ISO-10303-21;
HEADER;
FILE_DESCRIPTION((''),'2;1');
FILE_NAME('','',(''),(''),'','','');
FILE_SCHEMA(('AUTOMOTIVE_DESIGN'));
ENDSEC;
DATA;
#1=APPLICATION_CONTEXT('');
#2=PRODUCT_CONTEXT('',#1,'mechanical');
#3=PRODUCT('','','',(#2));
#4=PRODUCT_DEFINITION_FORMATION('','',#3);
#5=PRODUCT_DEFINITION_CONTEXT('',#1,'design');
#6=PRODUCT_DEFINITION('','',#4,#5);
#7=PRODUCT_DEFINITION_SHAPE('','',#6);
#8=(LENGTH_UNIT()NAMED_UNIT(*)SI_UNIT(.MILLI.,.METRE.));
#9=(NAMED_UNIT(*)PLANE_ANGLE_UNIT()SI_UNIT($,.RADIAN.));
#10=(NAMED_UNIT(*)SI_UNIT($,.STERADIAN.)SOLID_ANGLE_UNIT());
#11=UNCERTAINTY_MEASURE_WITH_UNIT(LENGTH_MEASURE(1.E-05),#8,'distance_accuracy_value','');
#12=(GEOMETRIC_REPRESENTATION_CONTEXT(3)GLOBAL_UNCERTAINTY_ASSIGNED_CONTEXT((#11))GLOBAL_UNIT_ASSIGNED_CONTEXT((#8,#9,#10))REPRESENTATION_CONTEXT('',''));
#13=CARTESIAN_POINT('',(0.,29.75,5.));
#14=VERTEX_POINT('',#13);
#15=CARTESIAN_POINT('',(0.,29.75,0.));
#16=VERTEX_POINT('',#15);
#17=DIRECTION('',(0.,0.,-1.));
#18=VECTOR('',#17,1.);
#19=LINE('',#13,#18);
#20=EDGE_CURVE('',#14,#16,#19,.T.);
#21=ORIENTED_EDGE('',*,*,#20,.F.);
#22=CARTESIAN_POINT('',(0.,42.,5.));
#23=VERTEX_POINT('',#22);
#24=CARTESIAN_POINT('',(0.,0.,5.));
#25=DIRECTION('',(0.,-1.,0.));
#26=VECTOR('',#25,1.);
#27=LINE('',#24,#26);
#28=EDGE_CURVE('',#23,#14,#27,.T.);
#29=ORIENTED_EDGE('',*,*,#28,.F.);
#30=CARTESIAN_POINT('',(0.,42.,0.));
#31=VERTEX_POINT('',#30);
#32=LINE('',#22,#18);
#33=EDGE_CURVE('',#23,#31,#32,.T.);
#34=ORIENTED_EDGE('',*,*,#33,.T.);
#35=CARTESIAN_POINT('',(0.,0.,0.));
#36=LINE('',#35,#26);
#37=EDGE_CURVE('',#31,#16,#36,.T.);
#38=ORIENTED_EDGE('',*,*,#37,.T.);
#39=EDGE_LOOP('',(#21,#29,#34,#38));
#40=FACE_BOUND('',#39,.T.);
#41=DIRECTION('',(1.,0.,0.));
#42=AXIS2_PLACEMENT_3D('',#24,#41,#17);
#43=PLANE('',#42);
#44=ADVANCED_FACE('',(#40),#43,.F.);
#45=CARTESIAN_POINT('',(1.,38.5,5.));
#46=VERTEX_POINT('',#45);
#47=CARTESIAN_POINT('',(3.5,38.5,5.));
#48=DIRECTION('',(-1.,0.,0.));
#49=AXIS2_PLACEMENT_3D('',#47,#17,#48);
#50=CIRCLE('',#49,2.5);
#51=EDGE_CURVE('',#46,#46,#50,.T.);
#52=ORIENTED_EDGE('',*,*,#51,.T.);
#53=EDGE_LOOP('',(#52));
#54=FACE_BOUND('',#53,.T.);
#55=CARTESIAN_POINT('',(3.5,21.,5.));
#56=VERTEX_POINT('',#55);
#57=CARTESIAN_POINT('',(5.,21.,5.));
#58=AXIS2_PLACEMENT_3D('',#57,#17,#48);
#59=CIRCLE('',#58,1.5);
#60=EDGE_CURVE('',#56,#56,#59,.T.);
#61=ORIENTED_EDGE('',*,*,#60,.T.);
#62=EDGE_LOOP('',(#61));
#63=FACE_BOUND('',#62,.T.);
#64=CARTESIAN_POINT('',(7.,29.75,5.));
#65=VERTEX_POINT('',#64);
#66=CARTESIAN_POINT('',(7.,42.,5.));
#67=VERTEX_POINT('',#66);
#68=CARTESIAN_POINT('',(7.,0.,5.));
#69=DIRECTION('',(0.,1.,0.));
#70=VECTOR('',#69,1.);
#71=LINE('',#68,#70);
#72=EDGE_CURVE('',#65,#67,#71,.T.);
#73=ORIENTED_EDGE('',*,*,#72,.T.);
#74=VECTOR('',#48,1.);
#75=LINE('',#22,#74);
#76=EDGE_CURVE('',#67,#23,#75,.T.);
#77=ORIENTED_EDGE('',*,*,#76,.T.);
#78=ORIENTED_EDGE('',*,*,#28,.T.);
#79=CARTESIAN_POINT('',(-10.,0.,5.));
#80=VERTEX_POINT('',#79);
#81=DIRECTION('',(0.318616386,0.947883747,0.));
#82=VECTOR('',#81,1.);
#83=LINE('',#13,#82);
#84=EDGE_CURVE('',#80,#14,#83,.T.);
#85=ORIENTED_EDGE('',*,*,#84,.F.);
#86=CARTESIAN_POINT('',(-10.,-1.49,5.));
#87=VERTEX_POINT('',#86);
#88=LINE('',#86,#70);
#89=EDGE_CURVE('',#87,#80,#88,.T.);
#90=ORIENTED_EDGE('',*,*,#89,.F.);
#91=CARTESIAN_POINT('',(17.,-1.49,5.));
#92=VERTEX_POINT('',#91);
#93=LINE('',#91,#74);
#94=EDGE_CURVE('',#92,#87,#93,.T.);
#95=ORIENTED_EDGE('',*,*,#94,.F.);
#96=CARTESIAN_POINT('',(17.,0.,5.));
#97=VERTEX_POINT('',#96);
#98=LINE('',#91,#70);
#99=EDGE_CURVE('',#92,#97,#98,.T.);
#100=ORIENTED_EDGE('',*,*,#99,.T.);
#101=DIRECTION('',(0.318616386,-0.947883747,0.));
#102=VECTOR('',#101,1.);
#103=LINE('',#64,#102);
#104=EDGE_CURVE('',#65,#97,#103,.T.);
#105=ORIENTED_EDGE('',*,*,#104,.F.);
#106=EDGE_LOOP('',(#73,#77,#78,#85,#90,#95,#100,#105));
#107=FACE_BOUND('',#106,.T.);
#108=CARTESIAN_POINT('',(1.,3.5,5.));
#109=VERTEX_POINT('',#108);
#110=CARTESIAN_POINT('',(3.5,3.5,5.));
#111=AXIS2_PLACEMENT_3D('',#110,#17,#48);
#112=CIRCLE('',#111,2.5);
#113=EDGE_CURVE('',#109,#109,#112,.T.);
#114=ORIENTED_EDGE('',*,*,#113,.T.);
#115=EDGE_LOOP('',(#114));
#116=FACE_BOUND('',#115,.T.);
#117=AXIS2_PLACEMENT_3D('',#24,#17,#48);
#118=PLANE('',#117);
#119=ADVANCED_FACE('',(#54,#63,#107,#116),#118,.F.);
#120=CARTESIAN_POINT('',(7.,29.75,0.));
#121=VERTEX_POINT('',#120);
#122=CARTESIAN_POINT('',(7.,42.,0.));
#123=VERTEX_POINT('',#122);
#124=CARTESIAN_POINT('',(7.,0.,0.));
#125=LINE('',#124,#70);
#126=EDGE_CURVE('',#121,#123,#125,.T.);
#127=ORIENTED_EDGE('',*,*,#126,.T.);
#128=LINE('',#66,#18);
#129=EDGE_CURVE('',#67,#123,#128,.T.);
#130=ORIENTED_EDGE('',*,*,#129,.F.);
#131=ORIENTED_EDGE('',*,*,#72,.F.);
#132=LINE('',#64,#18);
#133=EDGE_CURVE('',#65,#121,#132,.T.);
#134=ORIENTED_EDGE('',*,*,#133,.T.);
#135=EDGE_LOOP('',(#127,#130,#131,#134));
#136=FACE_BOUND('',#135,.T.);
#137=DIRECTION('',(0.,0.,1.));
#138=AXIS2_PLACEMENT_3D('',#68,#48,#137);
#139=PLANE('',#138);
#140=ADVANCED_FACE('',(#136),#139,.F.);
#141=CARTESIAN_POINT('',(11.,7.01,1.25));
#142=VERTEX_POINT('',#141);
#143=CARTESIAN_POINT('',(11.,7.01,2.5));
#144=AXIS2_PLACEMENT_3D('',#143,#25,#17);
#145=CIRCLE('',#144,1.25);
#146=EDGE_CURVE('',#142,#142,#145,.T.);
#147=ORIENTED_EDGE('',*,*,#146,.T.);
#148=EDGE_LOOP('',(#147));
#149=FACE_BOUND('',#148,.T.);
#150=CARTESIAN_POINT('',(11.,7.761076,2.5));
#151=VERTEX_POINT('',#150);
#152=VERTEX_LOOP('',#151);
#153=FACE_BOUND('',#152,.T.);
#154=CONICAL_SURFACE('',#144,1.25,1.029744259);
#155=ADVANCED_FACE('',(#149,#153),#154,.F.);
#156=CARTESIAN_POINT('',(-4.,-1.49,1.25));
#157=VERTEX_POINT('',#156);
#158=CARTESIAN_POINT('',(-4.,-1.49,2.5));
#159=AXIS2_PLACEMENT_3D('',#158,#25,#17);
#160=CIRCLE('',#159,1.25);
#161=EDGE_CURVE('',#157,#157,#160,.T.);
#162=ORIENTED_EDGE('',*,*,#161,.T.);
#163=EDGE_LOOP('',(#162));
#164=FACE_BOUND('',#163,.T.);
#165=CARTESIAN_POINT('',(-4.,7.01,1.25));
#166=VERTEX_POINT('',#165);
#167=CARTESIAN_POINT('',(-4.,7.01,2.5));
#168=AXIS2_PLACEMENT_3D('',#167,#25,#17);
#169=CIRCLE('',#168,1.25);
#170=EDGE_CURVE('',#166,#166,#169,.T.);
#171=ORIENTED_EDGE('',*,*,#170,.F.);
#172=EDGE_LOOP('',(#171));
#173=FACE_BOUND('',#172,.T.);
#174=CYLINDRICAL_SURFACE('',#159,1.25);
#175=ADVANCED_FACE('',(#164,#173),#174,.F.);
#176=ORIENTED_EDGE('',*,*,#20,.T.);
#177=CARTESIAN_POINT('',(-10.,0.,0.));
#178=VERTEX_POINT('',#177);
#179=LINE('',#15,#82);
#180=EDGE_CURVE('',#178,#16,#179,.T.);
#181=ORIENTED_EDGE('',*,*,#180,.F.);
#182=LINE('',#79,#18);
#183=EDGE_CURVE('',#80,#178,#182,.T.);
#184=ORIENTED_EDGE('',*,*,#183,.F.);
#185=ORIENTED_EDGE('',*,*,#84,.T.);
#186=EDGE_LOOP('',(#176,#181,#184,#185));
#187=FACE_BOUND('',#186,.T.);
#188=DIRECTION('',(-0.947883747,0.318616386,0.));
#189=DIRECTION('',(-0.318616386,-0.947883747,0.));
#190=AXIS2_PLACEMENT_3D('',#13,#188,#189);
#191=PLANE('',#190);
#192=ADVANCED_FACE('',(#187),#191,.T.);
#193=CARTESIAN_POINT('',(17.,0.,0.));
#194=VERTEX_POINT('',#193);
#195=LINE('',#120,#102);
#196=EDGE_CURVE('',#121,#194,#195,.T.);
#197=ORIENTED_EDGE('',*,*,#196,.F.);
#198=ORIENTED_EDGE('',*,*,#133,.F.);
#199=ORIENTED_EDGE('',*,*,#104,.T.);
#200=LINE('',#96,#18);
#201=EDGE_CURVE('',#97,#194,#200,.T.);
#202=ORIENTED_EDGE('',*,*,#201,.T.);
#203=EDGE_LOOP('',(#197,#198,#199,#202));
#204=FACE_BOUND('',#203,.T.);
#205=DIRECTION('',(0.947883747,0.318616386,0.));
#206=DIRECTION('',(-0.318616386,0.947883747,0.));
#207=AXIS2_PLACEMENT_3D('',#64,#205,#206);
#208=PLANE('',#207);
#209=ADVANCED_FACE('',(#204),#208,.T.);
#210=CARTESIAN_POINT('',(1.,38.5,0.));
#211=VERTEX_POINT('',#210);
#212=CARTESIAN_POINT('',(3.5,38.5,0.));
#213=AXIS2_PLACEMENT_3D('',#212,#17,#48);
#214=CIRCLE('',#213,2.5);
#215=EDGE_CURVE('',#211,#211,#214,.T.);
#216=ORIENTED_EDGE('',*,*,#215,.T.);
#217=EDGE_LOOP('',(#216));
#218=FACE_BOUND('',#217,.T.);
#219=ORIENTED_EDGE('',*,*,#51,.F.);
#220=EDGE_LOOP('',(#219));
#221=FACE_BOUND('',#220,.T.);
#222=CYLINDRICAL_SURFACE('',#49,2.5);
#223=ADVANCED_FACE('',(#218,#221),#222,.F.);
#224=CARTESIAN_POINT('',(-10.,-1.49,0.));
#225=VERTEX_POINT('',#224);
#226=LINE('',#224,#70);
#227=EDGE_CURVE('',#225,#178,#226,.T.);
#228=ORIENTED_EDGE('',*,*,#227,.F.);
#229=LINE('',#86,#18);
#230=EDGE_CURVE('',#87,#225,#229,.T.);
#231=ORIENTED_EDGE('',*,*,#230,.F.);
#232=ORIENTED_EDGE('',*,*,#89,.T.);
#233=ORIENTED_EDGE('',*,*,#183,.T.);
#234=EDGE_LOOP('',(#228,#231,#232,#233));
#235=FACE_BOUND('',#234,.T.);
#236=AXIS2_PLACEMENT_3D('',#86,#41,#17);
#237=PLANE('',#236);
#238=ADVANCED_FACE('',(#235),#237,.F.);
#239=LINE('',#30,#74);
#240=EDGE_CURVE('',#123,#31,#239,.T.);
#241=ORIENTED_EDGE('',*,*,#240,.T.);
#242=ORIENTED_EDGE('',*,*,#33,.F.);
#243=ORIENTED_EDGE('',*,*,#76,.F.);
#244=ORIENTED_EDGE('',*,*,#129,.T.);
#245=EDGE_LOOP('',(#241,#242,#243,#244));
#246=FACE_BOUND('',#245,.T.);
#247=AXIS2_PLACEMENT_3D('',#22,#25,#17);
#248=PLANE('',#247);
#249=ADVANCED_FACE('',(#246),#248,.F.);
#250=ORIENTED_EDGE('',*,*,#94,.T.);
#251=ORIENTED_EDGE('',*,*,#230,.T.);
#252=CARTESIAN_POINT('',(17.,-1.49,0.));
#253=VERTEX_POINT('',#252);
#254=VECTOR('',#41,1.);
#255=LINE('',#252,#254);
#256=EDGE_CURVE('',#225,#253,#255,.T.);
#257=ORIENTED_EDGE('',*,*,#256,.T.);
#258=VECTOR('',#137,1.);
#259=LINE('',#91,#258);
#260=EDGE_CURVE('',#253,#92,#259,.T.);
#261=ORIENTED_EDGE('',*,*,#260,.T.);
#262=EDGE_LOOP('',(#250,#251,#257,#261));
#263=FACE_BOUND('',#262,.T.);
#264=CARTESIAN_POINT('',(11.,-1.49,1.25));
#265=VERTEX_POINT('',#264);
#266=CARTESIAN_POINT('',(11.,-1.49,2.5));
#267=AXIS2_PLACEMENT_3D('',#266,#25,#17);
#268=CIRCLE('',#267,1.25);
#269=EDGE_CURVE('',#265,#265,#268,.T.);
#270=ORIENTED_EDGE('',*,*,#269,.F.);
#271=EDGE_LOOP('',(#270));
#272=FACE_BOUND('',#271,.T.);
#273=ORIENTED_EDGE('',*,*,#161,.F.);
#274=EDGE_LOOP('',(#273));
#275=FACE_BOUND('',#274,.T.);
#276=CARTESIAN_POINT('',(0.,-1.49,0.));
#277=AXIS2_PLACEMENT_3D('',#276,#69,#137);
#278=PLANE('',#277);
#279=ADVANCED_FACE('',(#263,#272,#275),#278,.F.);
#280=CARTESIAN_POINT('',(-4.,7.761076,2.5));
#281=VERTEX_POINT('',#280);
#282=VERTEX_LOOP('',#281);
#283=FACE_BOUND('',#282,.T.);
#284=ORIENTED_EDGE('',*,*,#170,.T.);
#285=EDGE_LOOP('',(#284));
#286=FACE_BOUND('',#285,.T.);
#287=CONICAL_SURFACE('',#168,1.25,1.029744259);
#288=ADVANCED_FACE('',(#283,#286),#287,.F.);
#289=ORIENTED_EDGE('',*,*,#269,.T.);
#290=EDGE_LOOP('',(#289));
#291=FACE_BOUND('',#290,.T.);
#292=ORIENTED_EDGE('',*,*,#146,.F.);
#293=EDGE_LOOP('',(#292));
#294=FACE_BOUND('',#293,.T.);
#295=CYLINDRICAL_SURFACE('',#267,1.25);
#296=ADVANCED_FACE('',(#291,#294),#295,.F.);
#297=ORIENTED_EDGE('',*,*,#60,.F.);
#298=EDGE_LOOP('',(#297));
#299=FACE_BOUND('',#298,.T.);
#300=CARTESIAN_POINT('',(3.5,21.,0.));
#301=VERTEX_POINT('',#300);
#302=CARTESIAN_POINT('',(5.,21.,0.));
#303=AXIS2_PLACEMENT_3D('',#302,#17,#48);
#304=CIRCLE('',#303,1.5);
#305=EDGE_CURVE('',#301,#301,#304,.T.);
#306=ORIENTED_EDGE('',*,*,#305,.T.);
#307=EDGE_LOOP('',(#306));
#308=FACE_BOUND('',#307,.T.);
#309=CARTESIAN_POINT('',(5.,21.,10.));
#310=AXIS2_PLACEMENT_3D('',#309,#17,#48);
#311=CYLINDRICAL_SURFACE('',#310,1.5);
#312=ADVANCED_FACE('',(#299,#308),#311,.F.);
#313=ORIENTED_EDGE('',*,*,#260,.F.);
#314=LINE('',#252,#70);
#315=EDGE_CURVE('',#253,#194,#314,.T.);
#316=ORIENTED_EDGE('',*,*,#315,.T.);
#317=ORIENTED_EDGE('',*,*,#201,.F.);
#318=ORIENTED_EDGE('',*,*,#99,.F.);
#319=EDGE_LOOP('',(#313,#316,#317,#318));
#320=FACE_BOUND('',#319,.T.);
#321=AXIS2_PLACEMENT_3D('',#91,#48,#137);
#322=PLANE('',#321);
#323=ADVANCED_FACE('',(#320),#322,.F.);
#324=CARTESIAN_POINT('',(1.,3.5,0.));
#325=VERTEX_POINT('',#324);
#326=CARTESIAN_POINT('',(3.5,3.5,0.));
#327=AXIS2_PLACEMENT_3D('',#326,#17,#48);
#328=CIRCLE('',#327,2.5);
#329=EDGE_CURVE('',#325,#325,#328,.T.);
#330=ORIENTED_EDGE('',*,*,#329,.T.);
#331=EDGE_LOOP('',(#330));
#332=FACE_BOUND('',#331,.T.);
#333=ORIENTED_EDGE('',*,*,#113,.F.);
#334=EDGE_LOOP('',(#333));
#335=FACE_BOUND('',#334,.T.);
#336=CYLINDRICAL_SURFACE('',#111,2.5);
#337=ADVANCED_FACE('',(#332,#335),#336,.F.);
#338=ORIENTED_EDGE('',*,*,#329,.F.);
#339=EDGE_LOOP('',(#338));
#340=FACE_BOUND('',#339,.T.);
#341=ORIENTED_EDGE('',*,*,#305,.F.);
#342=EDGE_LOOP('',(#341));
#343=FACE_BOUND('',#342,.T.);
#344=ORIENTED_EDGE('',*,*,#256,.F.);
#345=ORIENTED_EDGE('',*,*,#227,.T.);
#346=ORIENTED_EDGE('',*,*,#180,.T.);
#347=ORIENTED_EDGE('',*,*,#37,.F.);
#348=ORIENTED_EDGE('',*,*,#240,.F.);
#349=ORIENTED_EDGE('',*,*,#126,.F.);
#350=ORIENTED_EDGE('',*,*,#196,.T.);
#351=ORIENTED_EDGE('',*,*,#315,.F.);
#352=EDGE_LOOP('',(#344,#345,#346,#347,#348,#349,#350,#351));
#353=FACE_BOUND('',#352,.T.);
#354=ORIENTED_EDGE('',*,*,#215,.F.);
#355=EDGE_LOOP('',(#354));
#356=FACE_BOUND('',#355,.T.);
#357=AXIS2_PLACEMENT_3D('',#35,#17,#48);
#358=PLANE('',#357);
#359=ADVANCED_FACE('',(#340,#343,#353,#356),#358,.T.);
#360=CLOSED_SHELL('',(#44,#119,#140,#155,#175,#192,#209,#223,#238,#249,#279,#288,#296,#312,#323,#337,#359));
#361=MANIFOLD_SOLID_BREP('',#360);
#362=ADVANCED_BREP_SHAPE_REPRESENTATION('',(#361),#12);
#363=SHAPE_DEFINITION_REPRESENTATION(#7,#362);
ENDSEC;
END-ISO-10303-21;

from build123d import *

# Parameters (mm, degrees)
ESQUISSE1_W             = 7
ESQUISSE1_H             = 42
BOSS_EXTRU_1_DEPTH      = 5
ESQUISSE2_R             = 2.5
ENL_V_MAT_EXTRU_1_DEPTH = 43.87190222
ESQUISSE3_R             = 1.5
ENL_V_MAT_EXTRU_2_DEPTH = 10
BOSS_EXTRU_2_DEPTH      = 5
ESQUISSE7_W             = 27
ESQUISSE7_H             = 5
BOSS_EXTRU_3_DEPTH      = 1.49
TROU_TARAUD_M32_D       = 2.5
TROU_TARAUD_M32_DEPTH   = 8.5
TROU_TARAUD_M32_TIP     = 0.751075774


with BuildPart() as part:
    # Esquisse1 → Boss.-Extru.1 (new body)
    with BuildSketch(Plane.XY):
        with Locations((3.5, 21)):
            Rectangle(ESQUISSE1_W, ESQUISSE1_H)
    extrude(amount=BOSS_EXTRU_1_DEPTH)

    # Esquisse2 → Enlèv. mat.-Extru.1 (cut, through all)
    with BuildSketch(Plane(origin=(0, 0, 0), x_dir=(-1, 0, 0), z_dir=(0, 0, -1))):
        with Locations((-3.5, 38.5)):
            Circle(ESQUISSE2_R)
        with Locations((-3.5, 3.5)):
            Circle(ESQUISSE2_R)
    extrude(amount=-ENL_V_MAT_EXTRU_1_DEPTH, mode=Mode.SUBTRACT)

    # Esquisse3 → Enlèv. mat.-Extru.2 (cut)
    with BuildSketch(Plane(origin=(0, 0, 0), x_dir=(-1, 0, 0), z_dir=(0, 0, -1))):
        with Locations((-5, 21)):
            Circle(ESQUISSE3_R)
    extrude(amount=-ENL_V_MAT_EXTRU_2_DEPTH, mode=Mode.SUBTRACT)

    # Esquisse4 → Boss.-Extru.2 (add)
    with BuildSketch(Plane(origin=(0, 0, 0), x_dir=(-1, 0, 0), z_dir=(0, 0, -1))):
        Polygon((-7, 29.75), (-17, 0), (-7, 0), align=None)
        Polygon((10, 0), (0, 0), (0, 29.75), align=None)
    extrude(amount=-BOSS_EXTRU_2_DEPTH)

    # Esquisse7 → Boss.-Extru.3 (add)
    with BuildSketch(Plane(origin=(0, 0, 0), x_dir=(-1, 0, 0), z_dir=(0, -1, 0))):
        with Locations((-3.5, -2.5)):
            Rectangle(ESQUISSE7_W, ESQUISSE7_H)
    extrude(amount=BOSS_EXTRU_3_DEPTH)

    # Trou taraudé M32
    with Locations(Plane(origin=(0, -1.49, 0), x_dir=(-1, 0, 0), z_dir=(0, -1, 0))):
        with Locations((4, -2.5), (-11, -2.5)):
            Hole(TROU_TARAUD_M32_D / 2, depth=TROU_TARAUD_M32_DEPTH)
            with Locations((0, 0, -(TROU_TARAUD_M32_DEPTH + TROU_TARAUD_M32_TIP / 2))):  # 118° drill point
                Cone(0, TROU_TARAUD_M32_D / 2, TROU_TARAUD_M32_TIP, mode=Mode.SUBTRACT)


solid = part.part
